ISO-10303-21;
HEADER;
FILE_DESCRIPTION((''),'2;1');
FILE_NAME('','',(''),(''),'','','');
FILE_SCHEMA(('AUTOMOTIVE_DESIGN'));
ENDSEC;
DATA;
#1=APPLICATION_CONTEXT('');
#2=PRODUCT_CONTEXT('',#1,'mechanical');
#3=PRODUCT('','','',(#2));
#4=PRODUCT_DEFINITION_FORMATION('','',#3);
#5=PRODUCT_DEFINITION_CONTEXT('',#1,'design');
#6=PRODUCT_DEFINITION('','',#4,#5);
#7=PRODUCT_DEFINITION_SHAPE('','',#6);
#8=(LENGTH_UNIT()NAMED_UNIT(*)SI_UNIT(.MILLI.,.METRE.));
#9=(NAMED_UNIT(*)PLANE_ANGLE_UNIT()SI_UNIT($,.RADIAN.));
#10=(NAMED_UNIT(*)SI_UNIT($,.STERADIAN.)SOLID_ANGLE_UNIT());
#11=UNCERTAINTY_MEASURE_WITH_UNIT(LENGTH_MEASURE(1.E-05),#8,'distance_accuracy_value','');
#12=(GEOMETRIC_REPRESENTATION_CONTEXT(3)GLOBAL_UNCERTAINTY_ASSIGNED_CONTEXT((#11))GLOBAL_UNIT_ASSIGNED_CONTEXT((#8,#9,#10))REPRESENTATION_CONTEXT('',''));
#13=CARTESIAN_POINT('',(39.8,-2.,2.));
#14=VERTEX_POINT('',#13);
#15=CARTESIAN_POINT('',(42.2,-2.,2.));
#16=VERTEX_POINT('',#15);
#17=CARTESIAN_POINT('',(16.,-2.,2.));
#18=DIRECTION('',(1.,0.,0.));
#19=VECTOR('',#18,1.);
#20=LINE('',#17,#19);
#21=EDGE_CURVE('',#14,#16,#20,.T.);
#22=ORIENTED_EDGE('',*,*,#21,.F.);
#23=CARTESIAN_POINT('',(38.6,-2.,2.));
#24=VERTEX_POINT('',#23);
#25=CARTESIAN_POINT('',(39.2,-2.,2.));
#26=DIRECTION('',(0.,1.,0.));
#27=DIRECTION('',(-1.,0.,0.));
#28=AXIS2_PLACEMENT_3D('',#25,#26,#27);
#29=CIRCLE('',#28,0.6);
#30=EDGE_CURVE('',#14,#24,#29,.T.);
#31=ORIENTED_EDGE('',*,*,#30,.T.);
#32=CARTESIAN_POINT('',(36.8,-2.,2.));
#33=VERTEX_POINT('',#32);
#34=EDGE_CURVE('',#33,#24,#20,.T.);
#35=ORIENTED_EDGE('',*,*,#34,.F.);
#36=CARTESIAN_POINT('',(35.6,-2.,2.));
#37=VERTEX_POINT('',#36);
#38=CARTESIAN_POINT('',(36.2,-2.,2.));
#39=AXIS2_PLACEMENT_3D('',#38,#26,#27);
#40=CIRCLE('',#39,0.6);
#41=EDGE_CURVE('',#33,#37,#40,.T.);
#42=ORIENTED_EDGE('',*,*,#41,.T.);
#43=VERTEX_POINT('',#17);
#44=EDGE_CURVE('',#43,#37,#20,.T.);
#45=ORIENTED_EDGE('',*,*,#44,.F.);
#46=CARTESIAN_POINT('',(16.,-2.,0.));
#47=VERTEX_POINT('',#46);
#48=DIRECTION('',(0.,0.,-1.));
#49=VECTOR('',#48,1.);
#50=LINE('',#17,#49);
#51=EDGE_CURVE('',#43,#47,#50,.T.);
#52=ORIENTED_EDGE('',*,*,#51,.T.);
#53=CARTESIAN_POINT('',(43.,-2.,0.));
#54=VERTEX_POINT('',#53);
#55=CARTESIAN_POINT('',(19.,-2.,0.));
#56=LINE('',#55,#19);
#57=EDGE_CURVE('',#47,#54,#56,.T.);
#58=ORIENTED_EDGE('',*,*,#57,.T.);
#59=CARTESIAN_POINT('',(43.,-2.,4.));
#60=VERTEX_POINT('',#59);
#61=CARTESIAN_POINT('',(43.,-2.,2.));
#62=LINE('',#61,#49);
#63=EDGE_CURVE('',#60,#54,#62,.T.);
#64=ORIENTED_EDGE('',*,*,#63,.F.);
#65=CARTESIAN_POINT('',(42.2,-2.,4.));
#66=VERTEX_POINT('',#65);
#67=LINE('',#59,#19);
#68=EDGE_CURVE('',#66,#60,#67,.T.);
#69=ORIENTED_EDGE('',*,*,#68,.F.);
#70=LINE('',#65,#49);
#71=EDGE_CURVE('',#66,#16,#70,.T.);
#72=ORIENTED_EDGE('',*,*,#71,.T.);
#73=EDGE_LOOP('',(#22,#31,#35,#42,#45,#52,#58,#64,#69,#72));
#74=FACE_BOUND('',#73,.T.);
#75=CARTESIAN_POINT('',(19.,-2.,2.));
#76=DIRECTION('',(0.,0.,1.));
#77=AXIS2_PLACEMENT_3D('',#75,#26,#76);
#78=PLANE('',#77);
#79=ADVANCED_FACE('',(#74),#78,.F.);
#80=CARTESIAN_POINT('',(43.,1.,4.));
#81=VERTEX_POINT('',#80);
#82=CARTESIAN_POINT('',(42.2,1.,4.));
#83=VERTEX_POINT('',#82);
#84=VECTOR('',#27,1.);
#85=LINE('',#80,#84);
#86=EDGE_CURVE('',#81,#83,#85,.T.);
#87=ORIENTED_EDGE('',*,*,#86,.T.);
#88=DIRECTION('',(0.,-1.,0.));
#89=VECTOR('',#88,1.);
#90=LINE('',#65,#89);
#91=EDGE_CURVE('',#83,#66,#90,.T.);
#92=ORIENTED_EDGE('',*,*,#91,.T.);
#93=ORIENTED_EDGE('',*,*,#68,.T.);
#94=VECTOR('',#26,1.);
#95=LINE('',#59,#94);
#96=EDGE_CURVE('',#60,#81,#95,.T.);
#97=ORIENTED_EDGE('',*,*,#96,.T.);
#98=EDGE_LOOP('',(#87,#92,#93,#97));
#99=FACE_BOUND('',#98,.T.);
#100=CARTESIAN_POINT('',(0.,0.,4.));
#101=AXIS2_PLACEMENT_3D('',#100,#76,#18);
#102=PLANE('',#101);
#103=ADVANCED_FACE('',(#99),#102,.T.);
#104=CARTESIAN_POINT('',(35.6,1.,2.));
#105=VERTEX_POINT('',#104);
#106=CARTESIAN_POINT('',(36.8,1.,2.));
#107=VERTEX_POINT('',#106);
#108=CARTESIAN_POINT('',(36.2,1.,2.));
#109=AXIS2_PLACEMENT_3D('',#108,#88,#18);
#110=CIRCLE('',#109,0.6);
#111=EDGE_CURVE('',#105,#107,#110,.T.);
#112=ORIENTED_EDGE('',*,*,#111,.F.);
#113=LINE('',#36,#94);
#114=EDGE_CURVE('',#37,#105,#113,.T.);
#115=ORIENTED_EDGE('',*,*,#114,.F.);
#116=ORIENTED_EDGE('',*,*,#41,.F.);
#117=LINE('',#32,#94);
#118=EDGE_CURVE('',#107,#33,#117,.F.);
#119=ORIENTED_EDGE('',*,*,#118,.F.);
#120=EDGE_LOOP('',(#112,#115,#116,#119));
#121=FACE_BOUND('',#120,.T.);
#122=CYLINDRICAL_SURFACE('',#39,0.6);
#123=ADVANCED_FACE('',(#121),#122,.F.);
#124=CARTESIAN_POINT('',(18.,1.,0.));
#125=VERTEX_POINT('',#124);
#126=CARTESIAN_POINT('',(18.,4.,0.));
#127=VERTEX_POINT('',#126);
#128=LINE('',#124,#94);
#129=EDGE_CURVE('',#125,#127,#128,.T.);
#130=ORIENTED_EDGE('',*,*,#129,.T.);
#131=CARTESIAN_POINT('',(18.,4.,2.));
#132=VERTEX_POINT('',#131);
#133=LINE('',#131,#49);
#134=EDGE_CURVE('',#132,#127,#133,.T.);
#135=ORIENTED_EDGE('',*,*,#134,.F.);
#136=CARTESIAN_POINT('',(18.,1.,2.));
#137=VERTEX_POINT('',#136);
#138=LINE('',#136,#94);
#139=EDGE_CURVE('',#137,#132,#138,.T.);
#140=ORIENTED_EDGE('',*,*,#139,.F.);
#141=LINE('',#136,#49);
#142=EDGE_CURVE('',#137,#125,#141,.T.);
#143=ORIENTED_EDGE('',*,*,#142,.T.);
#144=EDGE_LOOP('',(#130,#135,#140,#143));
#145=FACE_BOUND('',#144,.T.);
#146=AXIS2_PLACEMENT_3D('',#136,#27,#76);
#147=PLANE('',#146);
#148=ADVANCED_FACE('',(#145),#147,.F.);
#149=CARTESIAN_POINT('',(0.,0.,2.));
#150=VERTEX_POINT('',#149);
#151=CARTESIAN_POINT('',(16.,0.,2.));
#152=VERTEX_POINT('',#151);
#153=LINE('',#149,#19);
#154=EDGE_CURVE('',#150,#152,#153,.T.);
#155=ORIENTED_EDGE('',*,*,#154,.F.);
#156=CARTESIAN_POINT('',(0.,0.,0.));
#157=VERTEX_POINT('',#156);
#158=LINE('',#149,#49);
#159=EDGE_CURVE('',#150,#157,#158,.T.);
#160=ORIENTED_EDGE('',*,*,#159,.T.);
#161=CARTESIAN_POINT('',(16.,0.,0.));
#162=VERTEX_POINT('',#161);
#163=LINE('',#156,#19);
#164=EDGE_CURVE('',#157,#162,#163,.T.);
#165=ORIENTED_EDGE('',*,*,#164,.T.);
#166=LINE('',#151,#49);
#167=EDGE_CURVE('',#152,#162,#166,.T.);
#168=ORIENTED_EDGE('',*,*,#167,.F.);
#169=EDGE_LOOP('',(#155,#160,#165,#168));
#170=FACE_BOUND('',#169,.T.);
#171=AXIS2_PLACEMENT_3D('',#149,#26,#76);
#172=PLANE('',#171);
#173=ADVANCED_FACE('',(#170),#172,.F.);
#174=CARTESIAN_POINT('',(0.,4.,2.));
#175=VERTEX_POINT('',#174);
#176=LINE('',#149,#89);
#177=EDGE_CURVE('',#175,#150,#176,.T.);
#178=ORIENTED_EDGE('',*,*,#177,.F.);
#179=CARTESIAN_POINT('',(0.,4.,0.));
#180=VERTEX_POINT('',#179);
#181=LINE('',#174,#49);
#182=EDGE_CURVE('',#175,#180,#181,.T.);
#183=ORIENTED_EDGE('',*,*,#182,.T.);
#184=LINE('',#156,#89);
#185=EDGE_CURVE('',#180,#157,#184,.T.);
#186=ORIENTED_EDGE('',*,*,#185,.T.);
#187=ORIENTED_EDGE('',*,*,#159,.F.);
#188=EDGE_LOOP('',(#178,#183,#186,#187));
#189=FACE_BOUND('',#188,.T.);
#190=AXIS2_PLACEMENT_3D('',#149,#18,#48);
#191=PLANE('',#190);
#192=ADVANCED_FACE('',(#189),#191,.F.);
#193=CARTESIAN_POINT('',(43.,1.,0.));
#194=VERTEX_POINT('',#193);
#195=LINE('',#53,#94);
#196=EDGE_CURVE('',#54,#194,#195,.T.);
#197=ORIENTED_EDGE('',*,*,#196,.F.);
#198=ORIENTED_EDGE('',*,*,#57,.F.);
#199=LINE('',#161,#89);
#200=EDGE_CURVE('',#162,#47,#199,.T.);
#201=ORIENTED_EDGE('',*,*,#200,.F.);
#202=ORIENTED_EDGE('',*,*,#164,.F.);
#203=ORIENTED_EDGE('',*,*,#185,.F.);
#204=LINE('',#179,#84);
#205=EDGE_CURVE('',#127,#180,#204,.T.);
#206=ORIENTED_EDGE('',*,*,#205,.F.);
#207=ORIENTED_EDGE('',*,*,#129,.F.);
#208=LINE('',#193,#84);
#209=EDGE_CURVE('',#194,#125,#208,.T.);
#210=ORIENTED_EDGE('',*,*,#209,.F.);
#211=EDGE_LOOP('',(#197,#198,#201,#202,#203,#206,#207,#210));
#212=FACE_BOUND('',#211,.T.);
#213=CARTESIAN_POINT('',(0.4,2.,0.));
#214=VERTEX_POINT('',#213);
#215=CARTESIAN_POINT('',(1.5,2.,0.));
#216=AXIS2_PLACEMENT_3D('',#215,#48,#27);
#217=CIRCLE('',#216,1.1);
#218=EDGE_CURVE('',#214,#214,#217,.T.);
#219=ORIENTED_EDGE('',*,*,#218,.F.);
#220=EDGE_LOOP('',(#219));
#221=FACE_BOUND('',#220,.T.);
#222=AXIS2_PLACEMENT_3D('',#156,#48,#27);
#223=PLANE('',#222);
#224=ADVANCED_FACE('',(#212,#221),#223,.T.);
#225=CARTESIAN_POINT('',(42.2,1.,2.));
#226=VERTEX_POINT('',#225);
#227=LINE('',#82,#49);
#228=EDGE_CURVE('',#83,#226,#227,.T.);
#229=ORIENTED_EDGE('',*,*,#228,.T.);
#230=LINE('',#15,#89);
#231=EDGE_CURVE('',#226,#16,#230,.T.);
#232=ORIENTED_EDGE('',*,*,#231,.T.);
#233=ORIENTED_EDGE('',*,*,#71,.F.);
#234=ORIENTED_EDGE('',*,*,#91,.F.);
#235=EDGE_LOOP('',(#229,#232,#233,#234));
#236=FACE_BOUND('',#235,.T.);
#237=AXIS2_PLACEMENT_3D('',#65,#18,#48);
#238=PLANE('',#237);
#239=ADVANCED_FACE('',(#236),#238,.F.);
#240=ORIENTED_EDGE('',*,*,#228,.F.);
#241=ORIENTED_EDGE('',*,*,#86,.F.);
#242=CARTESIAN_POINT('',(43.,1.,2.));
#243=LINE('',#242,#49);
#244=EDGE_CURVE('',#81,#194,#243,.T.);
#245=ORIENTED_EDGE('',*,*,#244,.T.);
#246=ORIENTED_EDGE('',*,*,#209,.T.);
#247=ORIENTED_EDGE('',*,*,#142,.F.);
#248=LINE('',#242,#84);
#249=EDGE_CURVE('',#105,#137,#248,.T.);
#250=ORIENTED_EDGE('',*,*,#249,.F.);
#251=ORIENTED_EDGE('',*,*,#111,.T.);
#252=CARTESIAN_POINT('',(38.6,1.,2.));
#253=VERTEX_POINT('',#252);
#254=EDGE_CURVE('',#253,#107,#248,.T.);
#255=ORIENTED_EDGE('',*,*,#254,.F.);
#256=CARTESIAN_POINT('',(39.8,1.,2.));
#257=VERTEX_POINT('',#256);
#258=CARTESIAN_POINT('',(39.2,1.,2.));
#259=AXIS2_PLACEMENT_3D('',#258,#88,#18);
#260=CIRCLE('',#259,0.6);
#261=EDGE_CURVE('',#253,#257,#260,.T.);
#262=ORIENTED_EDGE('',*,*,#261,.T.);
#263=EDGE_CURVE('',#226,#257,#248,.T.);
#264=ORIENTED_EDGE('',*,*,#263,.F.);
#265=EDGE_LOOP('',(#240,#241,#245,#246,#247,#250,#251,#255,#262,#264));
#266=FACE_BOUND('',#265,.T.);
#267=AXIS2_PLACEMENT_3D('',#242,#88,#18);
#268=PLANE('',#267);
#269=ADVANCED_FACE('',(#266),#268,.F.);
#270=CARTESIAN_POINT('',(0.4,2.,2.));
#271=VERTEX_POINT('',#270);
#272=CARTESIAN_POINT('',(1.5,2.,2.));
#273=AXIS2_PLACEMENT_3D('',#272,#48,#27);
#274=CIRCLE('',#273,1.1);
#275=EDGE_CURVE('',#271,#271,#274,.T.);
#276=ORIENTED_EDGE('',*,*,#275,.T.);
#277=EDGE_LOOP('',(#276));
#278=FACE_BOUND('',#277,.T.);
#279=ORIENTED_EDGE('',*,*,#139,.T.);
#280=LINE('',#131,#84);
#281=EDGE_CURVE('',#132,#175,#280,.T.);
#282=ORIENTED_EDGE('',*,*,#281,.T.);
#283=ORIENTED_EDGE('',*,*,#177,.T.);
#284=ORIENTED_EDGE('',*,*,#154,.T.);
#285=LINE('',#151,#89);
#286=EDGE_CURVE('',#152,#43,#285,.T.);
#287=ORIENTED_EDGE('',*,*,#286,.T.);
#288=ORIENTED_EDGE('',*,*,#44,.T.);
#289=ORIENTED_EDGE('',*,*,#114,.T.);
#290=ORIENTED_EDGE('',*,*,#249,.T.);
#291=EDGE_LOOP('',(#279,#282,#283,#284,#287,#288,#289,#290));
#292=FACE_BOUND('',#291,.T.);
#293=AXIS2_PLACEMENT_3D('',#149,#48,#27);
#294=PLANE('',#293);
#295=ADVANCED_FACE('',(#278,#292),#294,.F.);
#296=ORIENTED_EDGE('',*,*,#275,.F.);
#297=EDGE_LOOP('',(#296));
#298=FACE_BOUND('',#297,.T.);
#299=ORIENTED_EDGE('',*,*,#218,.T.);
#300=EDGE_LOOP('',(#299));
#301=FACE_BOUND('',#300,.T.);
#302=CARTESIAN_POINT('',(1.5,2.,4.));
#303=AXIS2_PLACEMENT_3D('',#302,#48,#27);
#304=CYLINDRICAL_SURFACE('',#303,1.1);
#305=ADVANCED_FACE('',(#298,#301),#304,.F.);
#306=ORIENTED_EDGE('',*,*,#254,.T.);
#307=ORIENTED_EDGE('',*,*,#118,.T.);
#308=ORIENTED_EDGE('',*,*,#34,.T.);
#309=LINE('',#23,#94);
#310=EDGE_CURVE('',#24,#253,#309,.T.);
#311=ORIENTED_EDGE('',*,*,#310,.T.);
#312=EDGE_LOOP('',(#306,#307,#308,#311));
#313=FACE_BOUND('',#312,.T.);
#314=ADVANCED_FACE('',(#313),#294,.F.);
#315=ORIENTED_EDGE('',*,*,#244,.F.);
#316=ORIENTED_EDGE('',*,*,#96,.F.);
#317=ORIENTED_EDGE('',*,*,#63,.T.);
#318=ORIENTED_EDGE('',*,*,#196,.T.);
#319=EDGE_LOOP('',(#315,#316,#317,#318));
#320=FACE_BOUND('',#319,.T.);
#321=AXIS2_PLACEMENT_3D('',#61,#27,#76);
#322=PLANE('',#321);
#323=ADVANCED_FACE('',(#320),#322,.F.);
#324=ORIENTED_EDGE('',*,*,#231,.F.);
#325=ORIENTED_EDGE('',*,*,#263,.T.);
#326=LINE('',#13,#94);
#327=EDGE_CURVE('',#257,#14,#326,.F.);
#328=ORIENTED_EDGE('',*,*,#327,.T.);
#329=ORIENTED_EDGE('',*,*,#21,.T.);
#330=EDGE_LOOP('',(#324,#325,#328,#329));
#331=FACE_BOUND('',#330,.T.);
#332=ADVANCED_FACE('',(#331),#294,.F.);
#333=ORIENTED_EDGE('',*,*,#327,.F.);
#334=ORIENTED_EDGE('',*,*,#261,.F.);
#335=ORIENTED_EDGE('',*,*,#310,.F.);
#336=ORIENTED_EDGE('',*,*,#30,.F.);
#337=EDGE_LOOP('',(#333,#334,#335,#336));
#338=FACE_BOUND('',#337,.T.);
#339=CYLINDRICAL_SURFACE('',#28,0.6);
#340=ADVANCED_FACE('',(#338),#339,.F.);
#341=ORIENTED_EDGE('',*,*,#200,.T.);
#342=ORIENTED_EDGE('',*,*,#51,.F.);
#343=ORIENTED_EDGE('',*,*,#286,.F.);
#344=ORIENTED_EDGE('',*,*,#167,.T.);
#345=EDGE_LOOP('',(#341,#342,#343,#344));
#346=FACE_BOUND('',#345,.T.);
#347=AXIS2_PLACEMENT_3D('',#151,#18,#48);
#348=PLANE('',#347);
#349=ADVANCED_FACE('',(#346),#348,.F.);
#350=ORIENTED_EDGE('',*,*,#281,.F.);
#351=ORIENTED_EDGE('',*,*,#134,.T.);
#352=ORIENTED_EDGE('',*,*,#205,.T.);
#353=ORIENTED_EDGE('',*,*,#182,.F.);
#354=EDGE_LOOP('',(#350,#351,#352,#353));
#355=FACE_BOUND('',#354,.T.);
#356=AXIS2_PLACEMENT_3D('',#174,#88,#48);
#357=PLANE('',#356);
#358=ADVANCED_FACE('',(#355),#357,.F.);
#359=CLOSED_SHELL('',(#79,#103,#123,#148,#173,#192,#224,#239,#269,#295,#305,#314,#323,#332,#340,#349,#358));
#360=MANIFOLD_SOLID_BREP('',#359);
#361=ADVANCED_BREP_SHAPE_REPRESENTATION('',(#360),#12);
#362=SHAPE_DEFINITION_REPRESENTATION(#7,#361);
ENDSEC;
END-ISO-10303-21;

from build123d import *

# Parameters (mm, degrees)
SALIENTE_EXTRUIR1_DEPTH = 2
CROQUIS3_W              = 0.8
CROQUIS3_H              = 3
SALIENTE_EXTRUIR2_DEPTH = 2
CROQUIS4_R              = 0.6
CORTAR_EXTRUIR1_DEPTH   = 44.289721644
CROQUIS5_R              = 1.1
CORTAR_EXTRUIR2_DEPTH   = 44.370496884


with BuildPart() as part:
    # Croquis1 → Saliente-Extruir1 (new body)
    with BuildSketch(Plane.XY):
        Polygon((0, 0), (16, 0), (16, -2), (19, -2), (43, -2), (43, 1), (18, 1), (18, 4), (15, 4), (0, 4), align=None)
    extrude(amount=SALIENTE_EXTRUIR1_DEPTH)

    # Croquis3 → Saliente-Extruir2 (add)
    with BuildSketch(Plane.XY.offset(2)):
        with Locations((42.6, -0.5)):
            Rectangle(CROQUIS3_W, CROQUIS3_H)
    extrude(amount=SALIENTE_EXTRUIR2_DEPTH)

    # Croquis4 → Cortar-Extruir1 (cut, through all)
    with BuildSketch(Plane(origin=(0, 1, 0), x_dir=(1, 0, 0), z_dir=(0, 1, 0))):
        with Locations((39.2, -2)):
            Circle(CROQUIS4_R)
        with Locations((36.2, -2)):
            Circle(CROQUIS4_R)
    extrude(amount=-CORTAR_EXTRUIR1_DEPTH, mode=Mode.SUBTRACT)

    # Croquis5 → Cortar-Extruir2 (cut, through all)
    with BuildSketch(Plane(origin=(0, 0, 0), x_dir=(-1, 0, 0), z_dir=(0, 0, -1))):
        with Locations((-1.5, 2)):
            Circle(CROQUIS5_R)
    extrude(amount=-CORTAR_EXTRUIR2_DEPTH, mode=Mode.SUBTRACT)


solid = part.part
